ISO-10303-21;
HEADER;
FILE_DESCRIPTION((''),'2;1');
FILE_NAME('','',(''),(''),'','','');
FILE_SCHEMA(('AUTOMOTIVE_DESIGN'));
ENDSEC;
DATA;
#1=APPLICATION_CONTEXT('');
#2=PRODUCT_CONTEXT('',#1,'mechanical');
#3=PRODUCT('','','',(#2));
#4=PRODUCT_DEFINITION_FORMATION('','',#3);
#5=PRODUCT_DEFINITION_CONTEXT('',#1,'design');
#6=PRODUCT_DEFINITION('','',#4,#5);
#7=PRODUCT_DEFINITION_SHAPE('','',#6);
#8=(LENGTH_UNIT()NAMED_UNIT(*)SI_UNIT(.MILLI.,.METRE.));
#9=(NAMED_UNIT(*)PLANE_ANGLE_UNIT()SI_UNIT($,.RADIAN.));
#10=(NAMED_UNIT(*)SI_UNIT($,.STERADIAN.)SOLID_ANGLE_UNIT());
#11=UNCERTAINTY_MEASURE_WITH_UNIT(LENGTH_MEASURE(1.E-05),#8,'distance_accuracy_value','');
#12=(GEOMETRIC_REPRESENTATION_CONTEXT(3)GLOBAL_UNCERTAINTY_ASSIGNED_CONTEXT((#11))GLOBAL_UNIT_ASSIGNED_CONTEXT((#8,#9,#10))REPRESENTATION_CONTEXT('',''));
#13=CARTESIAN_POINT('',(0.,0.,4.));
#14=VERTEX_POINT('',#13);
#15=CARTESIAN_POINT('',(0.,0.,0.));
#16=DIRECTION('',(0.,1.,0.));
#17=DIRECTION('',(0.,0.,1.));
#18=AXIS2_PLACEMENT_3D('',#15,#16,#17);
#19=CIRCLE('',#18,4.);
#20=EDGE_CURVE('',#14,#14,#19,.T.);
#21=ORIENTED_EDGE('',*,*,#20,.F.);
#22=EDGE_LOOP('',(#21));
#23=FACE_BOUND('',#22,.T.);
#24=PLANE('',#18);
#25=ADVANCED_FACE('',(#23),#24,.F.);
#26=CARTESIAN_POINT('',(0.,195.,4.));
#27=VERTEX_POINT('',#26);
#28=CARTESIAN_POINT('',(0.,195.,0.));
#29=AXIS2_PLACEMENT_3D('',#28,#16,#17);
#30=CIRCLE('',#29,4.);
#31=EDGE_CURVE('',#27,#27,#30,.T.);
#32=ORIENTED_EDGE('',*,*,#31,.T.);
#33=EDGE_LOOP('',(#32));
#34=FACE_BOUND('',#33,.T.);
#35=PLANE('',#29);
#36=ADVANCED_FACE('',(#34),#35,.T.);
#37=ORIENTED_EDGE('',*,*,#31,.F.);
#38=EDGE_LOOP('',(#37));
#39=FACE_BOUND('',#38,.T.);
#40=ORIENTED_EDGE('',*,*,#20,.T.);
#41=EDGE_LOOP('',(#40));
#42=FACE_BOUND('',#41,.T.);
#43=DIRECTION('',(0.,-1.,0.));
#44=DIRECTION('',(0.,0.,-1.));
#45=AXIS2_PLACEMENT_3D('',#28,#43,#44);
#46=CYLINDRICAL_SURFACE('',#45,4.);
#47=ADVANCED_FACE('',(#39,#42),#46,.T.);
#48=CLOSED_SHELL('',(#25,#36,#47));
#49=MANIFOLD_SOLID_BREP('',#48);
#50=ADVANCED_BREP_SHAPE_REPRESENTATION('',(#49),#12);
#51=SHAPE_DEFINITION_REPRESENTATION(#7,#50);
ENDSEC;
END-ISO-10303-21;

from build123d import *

# Parameters (mm, degrees)
SKETCH1_R           = 4
BOSS_EXTRUDE1_DEPTH = 195


with BuildPart() as part:
    # Sketch1 → Boss-Extrude1 (new body)
    with BuildSketch(Plane(origin=(0, 0, 0), x_dir=(1, 0, 0), z_dir=(0, 1, 0))):
        Circle(SKETCH1_R)
    extrude(amount=BOSS_EXTRUDE1_DEPTH)


solid = part.part
